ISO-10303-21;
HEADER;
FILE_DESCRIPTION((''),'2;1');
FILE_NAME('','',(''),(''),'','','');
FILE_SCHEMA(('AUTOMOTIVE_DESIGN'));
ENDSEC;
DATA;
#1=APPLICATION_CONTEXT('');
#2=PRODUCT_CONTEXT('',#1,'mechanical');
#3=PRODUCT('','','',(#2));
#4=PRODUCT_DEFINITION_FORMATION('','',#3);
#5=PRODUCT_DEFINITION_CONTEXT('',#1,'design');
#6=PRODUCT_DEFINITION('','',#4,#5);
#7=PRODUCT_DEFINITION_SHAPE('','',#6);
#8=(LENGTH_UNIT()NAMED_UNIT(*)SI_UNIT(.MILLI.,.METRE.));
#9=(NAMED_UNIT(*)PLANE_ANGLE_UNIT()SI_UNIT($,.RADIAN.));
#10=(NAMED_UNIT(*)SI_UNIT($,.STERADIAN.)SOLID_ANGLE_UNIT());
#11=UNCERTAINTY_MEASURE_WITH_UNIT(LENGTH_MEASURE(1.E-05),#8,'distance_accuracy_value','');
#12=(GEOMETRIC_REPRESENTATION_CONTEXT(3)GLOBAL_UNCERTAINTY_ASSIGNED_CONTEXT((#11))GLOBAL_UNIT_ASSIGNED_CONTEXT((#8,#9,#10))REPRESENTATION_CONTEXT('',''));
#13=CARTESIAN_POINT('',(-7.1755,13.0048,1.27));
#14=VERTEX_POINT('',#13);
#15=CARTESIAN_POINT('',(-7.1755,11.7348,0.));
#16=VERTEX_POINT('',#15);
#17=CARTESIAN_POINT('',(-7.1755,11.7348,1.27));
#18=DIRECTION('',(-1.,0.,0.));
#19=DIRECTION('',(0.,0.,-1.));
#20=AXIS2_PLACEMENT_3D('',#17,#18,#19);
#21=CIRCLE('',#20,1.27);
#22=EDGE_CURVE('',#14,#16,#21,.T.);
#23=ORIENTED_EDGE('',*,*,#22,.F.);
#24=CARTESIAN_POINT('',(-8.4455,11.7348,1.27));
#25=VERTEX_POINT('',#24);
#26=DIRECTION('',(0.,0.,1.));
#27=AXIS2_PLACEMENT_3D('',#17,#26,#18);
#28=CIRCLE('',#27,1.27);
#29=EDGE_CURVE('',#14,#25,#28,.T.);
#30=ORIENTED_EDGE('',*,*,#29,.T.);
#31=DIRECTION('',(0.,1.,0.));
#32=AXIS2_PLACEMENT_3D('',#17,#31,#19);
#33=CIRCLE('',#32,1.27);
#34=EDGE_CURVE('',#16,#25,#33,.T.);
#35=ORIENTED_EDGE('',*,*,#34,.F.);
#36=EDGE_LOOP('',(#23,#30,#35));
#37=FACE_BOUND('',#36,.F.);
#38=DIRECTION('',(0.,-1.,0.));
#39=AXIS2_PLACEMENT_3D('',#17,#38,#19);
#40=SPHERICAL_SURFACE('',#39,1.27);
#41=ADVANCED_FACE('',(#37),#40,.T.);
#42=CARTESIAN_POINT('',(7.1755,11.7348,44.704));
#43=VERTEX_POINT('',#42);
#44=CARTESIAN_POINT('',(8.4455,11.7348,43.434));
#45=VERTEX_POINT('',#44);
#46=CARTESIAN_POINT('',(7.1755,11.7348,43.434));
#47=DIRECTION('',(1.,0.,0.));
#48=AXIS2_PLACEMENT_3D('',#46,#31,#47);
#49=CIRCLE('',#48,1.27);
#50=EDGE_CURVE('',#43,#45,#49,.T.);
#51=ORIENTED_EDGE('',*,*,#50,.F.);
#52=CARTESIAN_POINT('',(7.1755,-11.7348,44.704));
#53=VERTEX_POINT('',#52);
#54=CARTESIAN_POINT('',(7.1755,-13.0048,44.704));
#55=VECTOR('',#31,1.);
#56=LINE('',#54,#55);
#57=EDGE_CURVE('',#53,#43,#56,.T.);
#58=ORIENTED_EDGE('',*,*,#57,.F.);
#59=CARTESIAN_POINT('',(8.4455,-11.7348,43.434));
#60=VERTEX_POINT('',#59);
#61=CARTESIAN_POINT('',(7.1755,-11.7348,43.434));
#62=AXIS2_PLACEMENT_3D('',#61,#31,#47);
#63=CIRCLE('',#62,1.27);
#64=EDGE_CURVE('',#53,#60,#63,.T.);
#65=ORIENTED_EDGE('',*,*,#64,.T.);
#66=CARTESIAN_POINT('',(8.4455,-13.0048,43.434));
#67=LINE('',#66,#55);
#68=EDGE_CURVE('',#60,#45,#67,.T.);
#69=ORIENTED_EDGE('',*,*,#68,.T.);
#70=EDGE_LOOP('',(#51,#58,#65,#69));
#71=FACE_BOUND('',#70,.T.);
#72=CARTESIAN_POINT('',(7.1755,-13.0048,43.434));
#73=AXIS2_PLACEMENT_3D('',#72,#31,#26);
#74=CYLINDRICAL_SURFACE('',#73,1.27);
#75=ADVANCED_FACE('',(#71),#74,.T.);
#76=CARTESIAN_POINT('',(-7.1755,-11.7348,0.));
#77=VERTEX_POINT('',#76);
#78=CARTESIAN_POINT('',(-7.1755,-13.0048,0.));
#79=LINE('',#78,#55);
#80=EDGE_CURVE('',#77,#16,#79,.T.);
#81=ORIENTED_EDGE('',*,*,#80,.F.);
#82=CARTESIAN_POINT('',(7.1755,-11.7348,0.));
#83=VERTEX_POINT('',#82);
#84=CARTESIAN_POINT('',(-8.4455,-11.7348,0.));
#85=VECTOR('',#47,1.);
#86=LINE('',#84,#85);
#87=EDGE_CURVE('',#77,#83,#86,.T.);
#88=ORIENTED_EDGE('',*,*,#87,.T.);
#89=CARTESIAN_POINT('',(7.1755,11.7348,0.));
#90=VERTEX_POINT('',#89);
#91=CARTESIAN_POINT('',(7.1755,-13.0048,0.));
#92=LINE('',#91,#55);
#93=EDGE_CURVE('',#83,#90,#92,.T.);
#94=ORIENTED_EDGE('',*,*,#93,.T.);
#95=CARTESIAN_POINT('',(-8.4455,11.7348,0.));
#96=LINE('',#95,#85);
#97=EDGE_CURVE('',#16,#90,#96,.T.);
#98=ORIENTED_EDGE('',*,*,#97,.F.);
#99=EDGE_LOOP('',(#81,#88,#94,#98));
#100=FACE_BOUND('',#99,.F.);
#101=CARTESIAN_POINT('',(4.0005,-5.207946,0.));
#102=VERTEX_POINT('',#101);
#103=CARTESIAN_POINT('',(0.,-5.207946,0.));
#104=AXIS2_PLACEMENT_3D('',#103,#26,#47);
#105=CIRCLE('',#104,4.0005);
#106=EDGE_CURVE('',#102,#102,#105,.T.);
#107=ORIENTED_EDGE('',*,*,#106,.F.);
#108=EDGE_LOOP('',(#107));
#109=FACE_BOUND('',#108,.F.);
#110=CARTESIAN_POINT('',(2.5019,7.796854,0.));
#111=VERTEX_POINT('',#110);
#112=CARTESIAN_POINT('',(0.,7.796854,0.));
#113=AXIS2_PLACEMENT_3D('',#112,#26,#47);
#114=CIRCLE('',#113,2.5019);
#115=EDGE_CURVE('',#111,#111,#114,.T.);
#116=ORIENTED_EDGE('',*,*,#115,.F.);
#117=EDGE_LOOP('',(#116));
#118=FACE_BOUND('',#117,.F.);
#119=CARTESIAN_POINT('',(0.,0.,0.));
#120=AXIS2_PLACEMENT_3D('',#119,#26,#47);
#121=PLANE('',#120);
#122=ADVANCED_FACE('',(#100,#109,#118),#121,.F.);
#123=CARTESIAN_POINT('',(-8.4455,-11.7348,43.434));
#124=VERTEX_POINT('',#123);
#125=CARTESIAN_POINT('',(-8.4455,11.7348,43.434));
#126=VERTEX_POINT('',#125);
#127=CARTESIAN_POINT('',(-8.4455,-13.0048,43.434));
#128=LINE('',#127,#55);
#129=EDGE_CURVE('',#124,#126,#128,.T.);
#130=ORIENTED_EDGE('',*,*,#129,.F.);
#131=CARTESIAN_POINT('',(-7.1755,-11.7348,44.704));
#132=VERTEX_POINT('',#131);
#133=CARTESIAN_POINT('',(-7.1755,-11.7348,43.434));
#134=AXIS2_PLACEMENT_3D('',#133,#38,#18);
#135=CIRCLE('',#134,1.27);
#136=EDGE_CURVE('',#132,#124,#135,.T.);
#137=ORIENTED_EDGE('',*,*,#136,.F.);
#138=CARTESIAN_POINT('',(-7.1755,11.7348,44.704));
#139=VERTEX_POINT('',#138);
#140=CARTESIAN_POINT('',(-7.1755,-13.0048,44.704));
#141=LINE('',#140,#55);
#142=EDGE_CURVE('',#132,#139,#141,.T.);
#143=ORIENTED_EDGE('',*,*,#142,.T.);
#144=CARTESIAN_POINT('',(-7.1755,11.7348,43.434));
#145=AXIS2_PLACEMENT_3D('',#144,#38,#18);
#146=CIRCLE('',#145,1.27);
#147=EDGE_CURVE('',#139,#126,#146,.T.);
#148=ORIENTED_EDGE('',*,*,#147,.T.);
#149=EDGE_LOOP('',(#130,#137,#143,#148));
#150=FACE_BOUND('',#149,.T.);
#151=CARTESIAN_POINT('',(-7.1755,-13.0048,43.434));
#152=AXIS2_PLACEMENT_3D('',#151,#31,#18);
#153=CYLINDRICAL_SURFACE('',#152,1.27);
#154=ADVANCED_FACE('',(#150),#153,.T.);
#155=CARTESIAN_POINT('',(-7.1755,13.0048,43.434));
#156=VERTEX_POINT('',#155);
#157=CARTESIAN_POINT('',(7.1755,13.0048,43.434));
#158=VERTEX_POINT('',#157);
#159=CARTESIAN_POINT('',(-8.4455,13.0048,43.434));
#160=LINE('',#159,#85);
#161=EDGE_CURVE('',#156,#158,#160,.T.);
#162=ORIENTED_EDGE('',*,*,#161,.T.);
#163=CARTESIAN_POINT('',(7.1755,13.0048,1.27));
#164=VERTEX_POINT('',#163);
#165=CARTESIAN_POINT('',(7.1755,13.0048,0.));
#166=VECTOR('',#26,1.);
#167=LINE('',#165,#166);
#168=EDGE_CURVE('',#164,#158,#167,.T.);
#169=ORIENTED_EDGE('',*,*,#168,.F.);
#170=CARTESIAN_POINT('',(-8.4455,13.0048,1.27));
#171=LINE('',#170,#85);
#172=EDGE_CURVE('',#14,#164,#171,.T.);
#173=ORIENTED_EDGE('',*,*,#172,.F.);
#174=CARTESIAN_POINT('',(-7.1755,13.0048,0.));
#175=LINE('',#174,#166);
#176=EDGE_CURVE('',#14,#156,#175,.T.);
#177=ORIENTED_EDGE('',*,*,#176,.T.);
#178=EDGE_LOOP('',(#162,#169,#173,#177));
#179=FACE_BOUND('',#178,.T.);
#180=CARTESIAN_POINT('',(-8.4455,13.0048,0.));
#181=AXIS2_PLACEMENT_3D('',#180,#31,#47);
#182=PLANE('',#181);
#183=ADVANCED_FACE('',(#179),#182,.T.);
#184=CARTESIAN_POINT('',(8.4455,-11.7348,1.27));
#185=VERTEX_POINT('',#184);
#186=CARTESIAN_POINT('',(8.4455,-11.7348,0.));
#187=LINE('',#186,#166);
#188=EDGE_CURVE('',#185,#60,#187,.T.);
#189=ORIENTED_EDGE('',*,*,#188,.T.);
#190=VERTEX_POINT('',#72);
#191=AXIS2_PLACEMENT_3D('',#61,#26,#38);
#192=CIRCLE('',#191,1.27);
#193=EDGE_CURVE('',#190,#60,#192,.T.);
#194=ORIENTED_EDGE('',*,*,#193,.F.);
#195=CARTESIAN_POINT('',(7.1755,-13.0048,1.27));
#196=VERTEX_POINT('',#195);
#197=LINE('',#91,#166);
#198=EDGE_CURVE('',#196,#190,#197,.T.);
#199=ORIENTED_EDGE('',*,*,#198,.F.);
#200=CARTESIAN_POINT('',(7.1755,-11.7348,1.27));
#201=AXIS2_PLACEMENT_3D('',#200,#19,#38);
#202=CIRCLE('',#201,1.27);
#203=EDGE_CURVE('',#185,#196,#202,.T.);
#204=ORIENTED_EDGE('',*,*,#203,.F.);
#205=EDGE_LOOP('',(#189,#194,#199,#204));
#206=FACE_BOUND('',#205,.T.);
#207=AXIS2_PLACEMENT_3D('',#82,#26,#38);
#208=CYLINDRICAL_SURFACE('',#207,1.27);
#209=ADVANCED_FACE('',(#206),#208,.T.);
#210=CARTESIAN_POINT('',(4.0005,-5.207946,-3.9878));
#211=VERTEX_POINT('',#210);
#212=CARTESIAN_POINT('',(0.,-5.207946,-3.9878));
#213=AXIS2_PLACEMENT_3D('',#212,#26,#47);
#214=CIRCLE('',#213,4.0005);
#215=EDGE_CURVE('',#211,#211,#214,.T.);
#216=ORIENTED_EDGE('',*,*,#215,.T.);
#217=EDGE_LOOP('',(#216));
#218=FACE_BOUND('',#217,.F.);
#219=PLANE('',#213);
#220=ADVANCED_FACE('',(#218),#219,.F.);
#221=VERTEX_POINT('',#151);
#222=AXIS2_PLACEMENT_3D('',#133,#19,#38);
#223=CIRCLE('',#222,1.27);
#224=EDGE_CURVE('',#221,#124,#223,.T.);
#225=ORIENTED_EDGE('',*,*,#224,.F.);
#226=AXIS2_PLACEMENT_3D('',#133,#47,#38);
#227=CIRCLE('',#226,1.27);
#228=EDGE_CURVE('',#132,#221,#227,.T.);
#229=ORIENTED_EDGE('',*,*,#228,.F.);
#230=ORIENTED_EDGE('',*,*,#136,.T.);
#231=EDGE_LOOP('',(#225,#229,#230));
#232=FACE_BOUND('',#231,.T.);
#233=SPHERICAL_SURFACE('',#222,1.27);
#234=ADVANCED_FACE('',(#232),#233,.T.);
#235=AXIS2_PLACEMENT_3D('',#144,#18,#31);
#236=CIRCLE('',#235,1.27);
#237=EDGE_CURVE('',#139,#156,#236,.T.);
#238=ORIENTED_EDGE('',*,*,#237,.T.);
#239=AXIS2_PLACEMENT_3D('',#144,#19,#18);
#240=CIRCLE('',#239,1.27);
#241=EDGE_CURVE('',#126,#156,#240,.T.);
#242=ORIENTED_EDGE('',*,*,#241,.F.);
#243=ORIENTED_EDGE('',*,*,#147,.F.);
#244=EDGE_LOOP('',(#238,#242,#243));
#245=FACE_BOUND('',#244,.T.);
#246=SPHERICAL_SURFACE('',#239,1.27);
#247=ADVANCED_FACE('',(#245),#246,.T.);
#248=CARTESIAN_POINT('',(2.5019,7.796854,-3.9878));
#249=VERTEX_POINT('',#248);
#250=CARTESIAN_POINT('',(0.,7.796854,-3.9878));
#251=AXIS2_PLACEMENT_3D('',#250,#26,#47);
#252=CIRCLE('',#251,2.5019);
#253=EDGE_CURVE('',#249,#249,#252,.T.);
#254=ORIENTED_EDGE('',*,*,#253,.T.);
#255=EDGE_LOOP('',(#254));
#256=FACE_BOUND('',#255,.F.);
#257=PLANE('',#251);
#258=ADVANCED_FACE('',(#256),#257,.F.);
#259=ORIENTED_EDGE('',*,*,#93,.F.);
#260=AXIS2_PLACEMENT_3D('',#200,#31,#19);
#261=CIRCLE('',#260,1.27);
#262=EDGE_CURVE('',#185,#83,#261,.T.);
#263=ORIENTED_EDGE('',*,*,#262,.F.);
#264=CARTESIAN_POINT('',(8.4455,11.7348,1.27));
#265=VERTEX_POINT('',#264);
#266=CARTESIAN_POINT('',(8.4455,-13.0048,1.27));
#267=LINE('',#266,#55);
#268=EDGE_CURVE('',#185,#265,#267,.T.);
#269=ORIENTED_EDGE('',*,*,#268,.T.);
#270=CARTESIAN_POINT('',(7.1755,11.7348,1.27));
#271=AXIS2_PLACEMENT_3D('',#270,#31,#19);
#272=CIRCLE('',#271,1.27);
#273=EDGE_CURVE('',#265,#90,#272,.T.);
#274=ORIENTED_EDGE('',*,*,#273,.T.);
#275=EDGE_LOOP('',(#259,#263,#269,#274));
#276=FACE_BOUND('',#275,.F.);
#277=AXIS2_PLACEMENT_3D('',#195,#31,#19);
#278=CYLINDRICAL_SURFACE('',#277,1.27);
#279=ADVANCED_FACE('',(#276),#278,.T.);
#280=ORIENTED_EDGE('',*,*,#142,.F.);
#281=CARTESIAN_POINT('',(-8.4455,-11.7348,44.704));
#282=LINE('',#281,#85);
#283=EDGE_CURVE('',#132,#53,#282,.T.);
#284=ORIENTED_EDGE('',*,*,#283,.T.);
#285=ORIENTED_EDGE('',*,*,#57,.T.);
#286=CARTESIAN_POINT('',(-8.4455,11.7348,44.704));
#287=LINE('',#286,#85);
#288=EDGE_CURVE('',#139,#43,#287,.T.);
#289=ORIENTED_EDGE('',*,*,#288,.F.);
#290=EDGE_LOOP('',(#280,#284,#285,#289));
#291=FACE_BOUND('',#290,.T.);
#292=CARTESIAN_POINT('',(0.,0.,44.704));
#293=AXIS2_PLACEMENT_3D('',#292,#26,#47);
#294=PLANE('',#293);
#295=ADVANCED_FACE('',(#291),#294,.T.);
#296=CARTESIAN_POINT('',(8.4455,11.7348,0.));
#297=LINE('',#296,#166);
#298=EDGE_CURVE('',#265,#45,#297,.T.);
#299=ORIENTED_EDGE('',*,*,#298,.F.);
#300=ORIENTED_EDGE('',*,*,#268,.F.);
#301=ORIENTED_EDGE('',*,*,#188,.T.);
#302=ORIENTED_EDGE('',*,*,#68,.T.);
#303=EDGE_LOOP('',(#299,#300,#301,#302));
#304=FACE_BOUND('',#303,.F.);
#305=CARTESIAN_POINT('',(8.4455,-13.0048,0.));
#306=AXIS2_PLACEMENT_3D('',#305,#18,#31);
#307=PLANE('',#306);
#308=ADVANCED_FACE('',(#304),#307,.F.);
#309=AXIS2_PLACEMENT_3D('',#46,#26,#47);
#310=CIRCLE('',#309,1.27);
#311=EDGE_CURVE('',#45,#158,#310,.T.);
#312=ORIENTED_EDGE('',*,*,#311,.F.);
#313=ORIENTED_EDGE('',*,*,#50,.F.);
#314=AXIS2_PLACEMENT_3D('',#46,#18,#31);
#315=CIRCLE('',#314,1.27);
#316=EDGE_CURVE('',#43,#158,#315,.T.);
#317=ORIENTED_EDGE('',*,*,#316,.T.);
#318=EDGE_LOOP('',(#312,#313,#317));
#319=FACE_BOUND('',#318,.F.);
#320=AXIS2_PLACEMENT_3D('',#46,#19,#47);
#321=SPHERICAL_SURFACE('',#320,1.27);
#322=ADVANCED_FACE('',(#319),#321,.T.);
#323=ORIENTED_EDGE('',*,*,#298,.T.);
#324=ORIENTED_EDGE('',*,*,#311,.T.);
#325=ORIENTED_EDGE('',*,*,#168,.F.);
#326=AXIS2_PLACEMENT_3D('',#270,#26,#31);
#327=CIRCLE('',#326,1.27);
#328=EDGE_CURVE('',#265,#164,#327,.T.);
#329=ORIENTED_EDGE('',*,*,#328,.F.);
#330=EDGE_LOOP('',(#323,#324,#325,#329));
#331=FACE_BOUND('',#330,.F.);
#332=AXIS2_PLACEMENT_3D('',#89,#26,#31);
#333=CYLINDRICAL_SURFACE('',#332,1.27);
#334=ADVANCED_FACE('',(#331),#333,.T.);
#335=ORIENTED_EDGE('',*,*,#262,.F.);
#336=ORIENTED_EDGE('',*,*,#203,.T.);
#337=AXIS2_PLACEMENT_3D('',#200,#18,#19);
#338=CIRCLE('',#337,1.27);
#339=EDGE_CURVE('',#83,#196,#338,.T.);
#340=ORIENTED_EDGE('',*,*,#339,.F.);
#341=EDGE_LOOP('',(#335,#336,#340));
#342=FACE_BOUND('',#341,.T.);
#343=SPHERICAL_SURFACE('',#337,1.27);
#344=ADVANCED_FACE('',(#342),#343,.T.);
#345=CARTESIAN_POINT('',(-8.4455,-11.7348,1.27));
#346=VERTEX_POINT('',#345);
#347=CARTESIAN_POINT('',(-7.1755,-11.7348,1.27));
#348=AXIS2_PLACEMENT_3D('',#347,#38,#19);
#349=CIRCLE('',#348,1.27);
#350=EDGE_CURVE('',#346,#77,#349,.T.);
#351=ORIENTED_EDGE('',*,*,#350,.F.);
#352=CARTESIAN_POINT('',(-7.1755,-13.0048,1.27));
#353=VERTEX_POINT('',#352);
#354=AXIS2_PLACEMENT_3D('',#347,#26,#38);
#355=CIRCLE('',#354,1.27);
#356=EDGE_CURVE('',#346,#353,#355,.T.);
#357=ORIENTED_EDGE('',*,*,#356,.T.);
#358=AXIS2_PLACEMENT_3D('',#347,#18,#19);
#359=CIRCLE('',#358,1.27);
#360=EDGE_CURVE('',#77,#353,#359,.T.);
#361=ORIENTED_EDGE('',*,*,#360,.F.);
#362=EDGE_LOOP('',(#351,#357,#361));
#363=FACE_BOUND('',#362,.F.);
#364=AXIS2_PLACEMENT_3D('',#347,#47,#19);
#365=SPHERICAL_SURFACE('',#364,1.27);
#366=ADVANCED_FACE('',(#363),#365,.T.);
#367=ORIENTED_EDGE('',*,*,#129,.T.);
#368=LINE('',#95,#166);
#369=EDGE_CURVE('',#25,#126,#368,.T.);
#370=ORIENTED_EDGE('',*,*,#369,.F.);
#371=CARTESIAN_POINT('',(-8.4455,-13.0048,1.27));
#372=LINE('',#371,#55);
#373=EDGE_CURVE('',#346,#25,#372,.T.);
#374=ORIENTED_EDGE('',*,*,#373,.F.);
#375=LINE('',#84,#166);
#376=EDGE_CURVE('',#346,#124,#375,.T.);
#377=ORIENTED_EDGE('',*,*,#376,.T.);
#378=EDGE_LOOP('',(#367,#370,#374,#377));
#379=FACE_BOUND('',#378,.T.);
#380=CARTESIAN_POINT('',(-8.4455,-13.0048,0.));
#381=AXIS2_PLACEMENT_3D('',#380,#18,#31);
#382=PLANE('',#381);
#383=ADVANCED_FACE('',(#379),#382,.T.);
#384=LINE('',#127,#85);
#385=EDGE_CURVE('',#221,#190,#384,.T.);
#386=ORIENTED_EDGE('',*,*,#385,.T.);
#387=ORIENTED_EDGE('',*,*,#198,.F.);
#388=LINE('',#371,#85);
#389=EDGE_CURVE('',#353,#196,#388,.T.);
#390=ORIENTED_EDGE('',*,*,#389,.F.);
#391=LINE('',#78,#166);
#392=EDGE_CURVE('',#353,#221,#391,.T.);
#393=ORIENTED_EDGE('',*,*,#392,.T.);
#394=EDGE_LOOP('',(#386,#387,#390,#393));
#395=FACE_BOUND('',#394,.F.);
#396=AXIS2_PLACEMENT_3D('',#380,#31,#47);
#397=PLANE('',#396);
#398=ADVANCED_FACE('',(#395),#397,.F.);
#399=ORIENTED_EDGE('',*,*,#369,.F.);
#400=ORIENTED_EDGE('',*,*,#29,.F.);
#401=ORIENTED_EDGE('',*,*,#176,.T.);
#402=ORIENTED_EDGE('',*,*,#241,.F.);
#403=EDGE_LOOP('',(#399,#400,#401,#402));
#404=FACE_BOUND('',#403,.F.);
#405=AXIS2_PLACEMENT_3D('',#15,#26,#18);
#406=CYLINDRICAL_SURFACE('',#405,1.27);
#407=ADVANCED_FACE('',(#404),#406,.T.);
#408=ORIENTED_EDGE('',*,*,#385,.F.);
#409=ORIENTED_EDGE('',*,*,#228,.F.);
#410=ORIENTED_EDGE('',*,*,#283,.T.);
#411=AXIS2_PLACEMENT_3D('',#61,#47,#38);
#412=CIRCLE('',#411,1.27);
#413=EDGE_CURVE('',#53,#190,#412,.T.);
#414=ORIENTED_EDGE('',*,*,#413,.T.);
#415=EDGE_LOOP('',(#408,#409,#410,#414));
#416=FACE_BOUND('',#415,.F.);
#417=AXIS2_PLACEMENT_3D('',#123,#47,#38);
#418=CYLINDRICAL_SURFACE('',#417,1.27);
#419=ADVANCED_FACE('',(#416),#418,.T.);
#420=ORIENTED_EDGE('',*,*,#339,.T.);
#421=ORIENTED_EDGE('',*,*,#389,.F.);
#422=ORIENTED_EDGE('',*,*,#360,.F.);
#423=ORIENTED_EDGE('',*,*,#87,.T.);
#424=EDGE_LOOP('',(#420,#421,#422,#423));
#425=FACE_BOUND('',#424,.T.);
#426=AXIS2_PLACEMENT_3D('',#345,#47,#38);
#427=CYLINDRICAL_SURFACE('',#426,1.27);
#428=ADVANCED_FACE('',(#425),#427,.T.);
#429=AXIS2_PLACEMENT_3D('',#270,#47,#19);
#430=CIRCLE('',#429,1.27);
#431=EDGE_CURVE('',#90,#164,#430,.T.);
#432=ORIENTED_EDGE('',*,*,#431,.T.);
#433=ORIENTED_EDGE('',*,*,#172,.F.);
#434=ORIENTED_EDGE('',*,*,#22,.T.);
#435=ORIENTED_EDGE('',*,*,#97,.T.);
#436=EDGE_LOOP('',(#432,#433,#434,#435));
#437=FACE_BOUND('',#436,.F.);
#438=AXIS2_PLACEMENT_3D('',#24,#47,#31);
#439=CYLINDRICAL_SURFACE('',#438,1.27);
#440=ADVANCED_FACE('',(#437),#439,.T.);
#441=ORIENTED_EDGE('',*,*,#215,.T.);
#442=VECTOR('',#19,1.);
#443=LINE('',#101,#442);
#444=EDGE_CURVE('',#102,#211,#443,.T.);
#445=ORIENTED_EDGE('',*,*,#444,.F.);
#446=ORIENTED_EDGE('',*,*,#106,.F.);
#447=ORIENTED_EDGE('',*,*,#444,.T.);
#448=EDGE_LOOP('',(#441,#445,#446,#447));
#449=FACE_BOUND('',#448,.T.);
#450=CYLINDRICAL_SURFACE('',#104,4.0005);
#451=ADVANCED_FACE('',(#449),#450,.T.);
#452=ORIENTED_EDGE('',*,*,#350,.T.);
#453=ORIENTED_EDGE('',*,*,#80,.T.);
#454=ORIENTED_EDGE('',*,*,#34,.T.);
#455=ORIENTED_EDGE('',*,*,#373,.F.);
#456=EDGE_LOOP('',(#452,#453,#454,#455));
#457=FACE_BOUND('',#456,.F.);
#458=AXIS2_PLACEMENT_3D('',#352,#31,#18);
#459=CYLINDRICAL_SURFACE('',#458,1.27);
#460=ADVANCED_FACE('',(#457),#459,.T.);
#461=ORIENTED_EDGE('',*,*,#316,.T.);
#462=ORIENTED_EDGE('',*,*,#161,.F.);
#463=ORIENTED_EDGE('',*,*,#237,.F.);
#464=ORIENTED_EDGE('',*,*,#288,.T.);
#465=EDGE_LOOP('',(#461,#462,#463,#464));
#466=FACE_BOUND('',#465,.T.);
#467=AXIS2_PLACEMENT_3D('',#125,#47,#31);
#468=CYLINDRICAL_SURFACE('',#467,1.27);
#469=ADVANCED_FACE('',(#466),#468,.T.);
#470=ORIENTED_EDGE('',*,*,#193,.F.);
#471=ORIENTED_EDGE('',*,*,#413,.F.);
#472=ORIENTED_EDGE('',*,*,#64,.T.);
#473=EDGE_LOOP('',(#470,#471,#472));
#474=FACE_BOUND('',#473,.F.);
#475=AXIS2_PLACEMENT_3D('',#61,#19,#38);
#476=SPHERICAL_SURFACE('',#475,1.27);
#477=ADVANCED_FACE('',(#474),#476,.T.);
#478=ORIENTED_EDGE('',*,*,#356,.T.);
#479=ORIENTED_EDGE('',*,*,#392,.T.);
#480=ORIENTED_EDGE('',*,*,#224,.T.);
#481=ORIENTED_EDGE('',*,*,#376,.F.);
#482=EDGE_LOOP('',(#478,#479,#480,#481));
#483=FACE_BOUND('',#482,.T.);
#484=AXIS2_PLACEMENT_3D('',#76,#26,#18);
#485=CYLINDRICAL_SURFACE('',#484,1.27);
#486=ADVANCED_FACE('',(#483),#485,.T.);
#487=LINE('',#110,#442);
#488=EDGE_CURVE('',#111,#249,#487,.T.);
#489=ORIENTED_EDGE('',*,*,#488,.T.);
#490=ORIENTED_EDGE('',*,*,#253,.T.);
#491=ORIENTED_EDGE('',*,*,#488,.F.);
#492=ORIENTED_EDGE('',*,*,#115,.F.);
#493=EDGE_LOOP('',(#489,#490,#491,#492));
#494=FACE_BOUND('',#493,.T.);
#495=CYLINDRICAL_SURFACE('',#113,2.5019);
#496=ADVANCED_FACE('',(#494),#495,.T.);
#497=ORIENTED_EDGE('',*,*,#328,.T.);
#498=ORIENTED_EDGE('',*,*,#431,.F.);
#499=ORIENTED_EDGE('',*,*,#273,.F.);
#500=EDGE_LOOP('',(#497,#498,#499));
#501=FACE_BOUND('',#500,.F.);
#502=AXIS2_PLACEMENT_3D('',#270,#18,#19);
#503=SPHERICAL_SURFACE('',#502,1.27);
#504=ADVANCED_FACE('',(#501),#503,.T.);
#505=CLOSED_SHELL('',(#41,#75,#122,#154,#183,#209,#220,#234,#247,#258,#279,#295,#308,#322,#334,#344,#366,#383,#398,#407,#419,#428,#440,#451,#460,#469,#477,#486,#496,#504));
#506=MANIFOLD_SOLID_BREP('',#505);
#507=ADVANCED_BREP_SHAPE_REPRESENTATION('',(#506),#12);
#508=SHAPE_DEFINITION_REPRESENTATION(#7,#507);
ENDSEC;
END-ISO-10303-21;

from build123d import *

# Parameters (mm, degrees)
F0_W     = 16.891
F0_H     = 26.0096
F1_DEPTH = 44.704
F2_R     = 2.5019
F2_R_2   = 4.0005
F3_DEPTH = 3.9878
F4_R     = 1.27


with BuildPart() as f1:
    # F0 (on Top) → F1 (new body)
    with BuildSketch(Plane.XY):
        Rectangle(F0_W, F0_H)
    extrude(amount=F1_DEPTH)

    # F2 (on Top) → F3 (join)
    with BuildSketch(Plane.XY):
        with Locations((0, 7.796854)):
            Circle(F2_R)
        with Locations((0, -5.207946)):
            Circle(F2_R_2)
    extrude(amount=-F3_DEPTH)

    # F4
    f4_edges = [f1.edges().sort_by_distance(p)[0] for p in [
        (0, -13.0048, 0),
        (-8.4455, 0, 0),
        (0, 13.0048, 0),
        (8.4455, 0, 0),
        (-8.4455, -13.0048, 22.352),
        (-8.4455, 13.0048, 22.352),
        (8.4455, -13.0048, 22.352),
        (0, -13.0048, 44.704),
        (-8.4455, 0, 44.704),
        (8.4455, 13.0048, 22.352),
        (8.4455, 0, 44.704),
        (0, 13.0048, 44.704),
    ]]
    fillet(f4_edges, radius=F4_R)


solid = f1.part
